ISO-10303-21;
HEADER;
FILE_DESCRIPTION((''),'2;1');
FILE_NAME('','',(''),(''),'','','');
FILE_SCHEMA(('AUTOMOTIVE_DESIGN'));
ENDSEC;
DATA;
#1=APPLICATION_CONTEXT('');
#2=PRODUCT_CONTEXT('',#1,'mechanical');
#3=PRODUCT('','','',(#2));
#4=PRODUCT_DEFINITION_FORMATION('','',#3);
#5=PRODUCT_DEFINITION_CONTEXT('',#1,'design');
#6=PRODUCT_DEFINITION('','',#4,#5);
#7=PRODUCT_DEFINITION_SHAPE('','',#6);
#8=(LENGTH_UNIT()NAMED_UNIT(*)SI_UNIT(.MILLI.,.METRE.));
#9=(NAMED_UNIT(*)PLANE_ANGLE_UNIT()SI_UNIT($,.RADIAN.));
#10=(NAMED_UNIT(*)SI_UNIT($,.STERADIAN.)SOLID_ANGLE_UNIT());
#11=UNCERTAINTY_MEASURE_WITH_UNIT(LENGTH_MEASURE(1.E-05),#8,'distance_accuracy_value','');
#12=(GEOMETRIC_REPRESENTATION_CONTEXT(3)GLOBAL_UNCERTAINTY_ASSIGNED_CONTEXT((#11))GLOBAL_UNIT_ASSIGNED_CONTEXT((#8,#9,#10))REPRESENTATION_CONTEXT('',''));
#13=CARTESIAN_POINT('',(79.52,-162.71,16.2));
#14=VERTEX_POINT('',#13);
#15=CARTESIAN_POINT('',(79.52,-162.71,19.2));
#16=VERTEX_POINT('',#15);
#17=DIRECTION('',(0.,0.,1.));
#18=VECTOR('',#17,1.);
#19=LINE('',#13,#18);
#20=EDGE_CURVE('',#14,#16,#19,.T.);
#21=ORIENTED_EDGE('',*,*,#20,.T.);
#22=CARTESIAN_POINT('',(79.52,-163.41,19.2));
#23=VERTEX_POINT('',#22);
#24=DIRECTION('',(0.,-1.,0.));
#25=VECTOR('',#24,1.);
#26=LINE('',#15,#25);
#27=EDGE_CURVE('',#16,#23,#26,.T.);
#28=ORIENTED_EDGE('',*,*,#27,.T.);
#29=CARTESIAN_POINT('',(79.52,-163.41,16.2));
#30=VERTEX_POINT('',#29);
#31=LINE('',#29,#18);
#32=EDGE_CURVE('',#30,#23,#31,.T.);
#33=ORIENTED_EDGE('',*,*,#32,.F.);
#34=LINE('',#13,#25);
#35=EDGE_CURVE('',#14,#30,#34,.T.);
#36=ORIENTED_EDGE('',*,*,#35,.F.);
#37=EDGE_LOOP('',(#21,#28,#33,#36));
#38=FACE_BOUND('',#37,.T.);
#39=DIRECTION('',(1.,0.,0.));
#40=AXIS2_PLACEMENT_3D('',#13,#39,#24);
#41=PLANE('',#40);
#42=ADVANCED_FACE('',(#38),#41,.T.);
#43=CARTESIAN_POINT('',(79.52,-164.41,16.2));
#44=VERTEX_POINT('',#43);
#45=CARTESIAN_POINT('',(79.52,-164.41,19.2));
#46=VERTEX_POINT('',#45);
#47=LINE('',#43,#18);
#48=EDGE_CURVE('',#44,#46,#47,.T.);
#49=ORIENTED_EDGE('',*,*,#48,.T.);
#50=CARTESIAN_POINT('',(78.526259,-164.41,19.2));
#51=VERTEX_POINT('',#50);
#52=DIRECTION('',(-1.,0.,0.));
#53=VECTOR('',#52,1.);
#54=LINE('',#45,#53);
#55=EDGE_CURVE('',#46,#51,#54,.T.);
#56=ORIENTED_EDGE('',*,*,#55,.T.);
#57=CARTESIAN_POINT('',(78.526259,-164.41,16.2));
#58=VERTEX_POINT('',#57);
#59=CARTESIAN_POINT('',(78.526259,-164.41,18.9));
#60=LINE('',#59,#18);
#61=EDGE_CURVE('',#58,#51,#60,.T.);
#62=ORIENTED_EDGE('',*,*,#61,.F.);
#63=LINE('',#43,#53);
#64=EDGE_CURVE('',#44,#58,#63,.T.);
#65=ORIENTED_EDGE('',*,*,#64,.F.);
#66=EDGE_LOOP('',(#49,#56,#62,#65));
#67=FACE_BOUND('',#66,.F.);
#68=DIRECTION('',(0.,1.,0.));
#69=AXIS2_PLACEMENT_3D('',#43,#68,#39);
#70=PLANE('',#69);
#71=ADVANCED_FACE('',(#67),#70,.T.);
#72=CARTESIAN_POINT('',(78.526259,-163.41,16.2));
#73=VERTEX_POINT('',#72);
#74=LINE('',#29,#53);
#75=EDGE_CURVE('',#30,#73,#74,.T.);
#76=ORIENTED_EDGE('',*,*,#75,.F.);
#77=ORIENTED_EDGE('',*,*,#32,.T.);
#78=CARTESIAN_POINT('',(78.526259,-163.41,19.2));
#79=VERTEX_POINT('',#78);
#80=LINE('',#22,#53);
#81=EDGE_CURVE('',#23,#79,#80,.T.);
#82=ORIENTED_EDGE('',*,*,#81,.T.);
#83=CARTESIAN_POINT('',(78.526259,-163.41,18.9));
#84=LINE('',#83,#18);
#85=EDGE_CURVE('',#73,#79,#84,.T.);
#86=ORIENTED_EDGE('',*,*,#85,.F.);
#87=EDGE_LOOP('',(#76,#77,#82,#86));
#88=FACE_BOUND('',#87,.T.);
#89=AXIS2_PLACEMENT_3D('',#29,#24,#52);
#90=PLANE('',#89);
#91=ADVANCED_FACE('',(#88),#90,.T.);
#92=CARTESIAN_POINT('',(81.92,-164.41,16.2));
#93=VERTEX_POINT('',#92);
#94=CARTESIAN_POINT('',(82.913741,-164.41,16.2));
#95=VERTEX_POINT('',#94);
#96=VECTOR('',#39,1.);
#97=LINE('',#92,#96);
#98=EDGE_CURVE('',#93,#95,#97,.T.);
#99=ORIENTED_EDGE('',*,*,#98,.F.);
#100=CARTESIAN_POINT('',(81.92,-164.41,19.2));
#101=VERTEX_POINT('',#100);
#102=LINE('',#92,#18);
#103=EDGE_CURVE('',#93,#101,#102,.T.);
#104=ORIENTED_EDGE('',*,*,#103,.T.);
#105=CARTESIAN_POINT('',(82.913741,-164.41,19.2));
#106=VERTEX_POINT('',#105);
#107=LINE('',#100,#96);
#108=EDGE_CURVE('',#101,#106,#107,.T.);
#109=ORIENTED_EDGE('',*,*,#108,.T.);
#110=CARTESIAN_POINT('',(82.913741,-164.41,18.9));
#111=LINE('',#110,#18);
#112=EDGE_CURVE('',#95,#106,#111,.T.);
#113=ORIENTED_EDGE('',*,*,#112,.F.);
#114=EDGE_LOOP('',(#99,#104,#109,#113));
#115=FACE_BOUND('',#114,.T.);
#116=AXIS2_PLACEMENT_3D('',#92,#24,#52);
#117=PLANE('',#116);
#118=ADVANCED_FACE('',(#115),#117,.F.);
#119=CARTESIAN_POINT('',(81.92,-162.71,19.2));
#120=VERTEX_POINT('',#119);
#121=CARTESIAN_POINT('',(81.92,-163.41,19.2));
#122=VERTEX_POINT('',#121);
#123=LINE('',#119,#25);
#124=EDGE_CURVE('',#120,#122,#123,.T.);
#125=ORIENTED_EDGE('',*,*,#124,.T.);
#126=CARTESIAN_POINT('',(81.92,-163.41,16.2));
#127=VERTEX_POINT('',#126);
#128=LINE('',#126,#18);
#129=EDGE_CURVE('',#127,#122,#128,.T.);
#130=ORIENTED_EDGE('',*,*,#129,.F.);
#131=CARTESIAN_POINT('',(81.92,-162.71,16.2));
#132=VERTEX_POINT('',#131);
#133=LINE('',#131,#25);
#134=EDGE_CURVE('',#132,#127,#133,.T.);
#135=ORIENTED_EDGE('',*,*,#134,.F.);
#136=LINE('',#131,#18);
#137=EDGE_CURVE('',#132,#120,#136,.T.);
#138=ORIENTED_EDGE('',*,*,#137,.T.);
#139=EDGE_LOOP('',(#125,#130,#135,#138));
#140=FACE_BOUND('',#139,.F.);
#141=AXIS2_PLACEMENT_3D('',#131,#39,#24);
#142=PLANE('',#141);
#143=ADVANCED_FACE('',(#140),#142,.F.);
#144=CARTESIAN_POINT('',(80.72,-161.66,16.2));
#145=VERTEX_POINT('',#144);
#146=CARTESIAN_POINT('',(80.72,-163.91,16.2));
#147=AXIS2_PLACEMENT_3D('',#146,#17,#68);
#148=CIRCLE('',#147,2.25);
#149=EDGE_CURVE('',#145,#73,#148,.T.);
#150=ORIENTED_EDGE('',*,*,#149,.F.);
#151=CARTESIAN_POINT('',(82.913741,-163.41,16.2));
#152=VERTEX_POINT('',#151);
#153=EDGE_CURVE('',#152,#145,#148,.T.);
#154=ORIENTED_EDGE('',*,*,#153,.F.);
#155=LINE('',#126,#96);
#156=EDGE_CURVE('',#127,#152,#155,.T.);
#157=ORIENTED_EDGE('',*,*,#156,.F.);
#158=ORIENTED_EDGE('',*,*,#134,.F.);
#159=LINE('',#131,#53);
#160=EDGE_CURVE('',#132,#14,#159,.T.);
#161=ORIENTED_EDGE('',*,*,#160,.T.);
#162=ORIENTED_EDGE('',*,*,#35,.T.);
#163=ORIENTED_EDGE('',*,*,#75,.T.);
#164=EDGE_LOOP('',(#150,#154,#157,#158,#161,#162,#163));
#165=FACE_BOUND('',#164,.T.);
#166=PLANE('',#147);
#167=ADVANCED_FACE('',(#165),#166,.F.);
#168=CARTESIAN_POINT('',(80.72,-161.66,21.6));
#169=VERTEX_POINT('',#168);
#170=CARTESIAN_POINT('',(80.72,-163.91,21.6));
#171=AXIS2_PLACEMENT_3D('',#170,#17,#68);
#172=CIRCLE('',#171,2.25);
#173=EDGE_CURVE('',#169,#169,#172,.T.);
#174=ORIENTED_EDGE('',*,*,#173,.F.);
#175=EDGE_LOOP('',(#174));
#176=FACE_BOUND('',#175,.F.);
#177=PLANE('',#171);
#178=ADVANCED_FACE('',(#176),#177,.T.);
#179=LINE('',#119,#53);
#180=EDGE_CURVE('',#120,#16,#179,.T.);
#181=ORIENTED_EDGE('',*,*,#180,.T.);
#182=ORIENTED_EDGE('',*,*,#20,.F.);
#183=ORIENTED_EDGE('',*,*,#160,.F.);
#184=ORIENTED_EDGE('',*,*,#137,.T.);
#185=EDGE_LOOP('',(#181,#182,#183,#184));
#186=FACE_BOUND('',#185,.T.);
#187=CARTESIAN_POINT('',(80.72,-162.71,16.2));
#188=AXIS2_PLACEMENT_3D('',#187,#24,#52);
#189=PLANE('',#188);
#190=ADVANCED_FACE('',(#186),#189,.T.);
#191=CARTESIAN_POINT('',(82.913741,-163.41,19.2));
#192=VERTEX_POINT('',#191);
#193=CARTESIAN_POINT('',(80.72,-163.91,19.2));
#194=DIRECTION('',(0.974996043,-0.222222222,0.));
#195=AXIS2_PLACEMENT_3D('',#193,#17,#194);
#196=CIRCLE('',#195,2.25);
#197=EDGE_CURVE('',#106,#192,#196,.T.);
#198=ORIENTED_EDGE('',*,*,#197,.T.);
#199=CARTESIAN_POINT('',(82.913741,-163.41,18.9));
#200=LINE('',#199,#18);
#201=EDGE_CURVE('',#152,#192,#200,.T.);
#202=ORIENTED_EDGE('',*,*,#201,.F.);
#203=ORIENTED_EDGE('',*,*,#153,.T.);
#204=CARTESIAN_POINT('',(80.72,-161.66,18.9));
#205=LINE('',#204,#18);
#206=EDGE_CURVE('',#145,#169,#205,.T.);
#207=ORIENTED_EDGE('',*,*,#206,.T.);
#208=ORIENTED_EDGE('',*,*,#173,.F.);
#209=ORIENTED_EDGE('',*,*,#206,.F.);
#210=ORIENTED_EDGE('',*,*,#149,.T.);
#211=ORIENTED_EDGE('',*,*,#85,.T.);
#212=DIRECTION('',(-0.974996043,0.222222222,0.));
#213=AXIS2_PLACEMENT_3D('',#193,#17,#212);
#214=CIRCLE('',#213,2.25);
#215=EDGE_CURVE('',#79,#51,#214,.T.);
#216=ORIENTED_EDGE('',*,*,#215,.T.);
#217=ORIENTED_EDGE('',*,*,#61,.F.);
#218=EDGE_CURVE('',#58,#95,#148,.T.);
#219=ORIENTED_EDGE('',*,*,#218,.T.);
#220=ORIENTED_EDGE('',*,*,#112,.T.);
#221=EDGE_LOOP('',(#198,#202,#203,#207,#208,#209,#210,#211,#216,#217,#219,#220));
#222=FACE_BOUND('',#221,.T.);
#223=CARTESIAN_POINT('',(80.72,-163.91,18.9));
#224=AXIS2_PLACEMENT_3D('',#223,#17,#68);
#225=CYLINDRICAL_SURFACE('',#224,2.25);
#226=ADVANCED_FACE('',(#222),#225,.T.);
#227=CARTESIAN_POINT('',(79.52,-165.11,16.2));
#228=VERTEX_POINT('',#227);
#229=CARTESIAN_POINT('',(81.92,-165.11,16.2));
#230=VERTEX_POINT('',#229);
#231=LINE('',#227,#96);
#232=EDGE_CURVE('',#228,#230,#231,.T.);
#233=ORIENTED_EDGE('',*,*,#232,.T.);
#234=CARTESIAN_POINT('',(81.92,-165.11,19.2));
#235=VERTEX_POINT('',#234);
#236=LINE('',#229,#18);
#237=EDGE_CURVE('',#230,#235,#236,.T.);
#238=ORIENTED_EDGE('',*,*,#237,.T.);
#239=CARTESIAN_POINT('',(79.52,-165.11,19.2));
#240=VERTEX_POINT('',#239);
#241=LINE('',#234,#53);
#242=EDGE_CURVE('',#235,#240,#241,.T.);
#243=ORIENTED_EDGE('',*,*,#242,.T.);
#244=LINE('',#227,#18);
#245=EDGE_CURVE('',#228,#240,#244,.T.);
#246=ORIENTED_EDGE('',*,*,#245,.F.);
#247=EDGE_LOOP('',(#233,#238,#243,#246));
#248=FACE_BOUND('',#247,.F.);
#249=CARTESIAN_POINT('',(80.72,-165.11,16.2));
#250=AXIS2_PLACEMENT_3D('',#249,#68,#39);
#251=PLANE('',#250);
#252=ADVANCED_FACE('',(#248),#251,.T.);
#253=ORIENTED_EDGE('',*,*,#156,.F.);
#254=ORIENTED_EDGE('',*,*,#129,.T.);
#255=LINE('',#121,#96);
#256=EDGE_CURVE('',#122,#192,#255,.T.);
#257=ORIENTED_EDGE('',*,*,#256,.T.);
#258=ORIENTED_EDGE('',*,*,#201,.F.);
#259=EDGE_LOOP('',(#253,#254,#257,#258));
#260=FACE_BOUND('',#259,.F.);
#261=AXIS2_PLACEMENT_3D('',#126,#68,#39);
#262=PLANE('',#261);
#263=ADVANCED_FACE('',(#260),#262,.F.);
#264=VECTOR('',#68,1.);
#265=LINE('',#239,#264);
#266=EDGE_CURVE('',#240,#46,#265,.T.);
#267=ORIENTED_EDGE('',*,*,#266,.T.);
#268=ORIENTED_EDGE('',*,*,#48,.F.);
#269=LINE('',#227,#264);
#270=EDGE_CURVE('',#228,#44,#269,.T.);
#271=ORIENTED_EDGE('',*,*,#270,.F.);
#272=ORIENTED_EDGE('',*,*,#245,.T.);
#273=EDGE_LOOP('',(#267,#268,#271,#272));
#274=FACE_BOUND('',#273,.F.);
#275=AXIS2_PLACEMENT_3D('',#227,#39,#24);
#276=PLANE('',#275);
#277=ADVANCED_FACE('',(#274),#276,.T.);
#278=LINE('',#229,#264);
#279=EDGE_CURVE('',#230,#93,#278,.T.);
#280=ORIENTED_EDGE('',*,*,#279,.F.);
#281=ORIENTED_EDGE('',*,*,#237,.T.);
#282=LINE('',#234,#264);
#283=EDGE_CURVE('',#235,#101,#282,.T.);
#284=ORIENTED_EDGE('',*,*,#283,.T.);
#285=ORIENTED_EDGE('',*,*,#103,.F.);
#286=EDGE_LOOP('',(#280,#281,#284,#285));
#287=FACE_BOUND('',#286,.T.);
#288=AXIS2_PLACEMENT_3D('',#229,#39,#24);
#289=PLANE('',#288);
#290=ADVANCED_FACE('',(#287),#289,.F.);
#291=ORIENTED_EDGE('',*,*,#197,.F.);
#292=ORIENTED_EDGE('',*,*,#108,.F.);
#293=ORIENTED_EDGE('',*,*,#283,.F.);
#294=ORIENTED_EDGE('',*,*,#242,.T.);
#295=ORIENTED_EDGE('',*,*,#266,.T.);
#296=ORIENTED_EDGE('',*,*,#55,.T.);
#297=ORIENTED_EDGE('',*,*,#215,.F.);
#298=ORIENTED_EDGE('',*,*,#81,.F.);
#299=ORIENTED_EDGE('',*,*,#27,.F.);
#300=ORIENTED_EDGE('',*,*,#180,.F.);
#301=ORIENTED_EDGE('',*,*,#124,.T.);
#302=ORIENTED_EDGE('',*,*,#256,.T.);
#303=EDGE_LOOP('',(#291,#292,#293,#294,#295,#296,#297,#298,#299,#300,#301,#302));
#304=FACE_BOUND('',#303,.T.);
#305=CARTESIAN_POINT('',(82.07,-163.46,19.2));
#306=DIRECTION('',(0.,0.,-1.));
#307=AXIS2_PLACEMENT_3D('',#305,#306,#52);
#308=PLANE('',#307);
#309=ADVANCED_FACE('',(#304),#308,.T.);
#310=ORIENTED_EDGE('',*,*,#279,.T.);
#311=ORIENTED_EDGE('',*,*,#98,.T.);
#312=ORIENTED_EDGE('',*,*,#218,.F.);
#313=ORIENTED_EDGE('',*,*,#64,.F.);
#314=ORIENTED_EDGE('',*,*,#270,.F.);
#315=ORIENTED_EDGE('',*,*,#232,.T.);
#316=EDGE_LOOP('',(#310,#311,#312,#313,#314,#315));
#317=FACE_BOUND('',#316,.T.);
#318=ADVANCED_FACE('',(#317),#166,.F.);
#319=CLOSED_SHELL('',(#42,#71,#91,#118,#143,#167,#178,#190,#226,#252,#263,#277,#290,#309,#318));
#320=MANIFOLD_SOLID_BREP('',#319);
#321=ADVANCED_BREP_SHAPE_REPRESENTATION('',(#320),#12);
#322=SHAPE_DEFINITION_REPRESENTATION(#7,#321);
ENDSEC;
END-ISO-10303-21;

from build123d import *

# Parameters (mm, degrees)
SKETCH007_W                   = 2.25
SKETCH007_H                   = 5.4
POCKET003_DEPTH               = 3
POCKET003_MIRRORED001_2_DEPTH = 3


with BuildPart() as part:
    # Sketch007 → Revolution (revolve)
    with BuildSketch(Plane.YZ):
        with Locations((1.125, 2.7)):
            Rectangle(SKETCH007_W, SKETCH007_H)
    revolve(axis=Axis((0, 0, 0), (0, 0, 1)))

    # Sketch008 → Pocket003 (cut)
    with BuildSketch(Plane.XY):
        Polygon((-3, 0), (0, 0), (0, 1.2), (-1.2, 1.2), (-1.2, 0.5), (-3, 0.5), align=None)
    pocket003 = extrude(amount=POCKET003_DEPTH, mode=Mode.SUBTRACT)

    # Sketch008 Mirrored001 2 → Pocket003 Mirrored001 2 (cut)
    with BuildSketch(Plane(origin=(0, 0, 0), x_dir=(-1, 0, 0), z_dir=(0, 0, -1))):
        Polygon((-3, 0), (0, 0), (0, 1.2), (-1.2, 1.2), (-1.2, 0.5), (-3, 0.5), align=None)
    pocket003_mirrored001_2 = extrude(amount=-POCKET003_MIRRORED001_2_DEPTH, mode=Mode.SUBTRACT)

    # Mirrored002: Pocket003, Pocket003 Mirrored001 2 across Sketch008 H_Axis
    add(pocket003.mirror(Plane.ZX), mode=Mode.SUBTRACT)
    add(pocket003_mirrored001_2.mirror(Plane.ZX), mode=Mode.SUBTRACT)


with BuildPart() as part_1:
    # Body003 placement: moved
    add(part.part.moved(Location((80.72, -163.91, 16.2))))


solid = part_1.part
